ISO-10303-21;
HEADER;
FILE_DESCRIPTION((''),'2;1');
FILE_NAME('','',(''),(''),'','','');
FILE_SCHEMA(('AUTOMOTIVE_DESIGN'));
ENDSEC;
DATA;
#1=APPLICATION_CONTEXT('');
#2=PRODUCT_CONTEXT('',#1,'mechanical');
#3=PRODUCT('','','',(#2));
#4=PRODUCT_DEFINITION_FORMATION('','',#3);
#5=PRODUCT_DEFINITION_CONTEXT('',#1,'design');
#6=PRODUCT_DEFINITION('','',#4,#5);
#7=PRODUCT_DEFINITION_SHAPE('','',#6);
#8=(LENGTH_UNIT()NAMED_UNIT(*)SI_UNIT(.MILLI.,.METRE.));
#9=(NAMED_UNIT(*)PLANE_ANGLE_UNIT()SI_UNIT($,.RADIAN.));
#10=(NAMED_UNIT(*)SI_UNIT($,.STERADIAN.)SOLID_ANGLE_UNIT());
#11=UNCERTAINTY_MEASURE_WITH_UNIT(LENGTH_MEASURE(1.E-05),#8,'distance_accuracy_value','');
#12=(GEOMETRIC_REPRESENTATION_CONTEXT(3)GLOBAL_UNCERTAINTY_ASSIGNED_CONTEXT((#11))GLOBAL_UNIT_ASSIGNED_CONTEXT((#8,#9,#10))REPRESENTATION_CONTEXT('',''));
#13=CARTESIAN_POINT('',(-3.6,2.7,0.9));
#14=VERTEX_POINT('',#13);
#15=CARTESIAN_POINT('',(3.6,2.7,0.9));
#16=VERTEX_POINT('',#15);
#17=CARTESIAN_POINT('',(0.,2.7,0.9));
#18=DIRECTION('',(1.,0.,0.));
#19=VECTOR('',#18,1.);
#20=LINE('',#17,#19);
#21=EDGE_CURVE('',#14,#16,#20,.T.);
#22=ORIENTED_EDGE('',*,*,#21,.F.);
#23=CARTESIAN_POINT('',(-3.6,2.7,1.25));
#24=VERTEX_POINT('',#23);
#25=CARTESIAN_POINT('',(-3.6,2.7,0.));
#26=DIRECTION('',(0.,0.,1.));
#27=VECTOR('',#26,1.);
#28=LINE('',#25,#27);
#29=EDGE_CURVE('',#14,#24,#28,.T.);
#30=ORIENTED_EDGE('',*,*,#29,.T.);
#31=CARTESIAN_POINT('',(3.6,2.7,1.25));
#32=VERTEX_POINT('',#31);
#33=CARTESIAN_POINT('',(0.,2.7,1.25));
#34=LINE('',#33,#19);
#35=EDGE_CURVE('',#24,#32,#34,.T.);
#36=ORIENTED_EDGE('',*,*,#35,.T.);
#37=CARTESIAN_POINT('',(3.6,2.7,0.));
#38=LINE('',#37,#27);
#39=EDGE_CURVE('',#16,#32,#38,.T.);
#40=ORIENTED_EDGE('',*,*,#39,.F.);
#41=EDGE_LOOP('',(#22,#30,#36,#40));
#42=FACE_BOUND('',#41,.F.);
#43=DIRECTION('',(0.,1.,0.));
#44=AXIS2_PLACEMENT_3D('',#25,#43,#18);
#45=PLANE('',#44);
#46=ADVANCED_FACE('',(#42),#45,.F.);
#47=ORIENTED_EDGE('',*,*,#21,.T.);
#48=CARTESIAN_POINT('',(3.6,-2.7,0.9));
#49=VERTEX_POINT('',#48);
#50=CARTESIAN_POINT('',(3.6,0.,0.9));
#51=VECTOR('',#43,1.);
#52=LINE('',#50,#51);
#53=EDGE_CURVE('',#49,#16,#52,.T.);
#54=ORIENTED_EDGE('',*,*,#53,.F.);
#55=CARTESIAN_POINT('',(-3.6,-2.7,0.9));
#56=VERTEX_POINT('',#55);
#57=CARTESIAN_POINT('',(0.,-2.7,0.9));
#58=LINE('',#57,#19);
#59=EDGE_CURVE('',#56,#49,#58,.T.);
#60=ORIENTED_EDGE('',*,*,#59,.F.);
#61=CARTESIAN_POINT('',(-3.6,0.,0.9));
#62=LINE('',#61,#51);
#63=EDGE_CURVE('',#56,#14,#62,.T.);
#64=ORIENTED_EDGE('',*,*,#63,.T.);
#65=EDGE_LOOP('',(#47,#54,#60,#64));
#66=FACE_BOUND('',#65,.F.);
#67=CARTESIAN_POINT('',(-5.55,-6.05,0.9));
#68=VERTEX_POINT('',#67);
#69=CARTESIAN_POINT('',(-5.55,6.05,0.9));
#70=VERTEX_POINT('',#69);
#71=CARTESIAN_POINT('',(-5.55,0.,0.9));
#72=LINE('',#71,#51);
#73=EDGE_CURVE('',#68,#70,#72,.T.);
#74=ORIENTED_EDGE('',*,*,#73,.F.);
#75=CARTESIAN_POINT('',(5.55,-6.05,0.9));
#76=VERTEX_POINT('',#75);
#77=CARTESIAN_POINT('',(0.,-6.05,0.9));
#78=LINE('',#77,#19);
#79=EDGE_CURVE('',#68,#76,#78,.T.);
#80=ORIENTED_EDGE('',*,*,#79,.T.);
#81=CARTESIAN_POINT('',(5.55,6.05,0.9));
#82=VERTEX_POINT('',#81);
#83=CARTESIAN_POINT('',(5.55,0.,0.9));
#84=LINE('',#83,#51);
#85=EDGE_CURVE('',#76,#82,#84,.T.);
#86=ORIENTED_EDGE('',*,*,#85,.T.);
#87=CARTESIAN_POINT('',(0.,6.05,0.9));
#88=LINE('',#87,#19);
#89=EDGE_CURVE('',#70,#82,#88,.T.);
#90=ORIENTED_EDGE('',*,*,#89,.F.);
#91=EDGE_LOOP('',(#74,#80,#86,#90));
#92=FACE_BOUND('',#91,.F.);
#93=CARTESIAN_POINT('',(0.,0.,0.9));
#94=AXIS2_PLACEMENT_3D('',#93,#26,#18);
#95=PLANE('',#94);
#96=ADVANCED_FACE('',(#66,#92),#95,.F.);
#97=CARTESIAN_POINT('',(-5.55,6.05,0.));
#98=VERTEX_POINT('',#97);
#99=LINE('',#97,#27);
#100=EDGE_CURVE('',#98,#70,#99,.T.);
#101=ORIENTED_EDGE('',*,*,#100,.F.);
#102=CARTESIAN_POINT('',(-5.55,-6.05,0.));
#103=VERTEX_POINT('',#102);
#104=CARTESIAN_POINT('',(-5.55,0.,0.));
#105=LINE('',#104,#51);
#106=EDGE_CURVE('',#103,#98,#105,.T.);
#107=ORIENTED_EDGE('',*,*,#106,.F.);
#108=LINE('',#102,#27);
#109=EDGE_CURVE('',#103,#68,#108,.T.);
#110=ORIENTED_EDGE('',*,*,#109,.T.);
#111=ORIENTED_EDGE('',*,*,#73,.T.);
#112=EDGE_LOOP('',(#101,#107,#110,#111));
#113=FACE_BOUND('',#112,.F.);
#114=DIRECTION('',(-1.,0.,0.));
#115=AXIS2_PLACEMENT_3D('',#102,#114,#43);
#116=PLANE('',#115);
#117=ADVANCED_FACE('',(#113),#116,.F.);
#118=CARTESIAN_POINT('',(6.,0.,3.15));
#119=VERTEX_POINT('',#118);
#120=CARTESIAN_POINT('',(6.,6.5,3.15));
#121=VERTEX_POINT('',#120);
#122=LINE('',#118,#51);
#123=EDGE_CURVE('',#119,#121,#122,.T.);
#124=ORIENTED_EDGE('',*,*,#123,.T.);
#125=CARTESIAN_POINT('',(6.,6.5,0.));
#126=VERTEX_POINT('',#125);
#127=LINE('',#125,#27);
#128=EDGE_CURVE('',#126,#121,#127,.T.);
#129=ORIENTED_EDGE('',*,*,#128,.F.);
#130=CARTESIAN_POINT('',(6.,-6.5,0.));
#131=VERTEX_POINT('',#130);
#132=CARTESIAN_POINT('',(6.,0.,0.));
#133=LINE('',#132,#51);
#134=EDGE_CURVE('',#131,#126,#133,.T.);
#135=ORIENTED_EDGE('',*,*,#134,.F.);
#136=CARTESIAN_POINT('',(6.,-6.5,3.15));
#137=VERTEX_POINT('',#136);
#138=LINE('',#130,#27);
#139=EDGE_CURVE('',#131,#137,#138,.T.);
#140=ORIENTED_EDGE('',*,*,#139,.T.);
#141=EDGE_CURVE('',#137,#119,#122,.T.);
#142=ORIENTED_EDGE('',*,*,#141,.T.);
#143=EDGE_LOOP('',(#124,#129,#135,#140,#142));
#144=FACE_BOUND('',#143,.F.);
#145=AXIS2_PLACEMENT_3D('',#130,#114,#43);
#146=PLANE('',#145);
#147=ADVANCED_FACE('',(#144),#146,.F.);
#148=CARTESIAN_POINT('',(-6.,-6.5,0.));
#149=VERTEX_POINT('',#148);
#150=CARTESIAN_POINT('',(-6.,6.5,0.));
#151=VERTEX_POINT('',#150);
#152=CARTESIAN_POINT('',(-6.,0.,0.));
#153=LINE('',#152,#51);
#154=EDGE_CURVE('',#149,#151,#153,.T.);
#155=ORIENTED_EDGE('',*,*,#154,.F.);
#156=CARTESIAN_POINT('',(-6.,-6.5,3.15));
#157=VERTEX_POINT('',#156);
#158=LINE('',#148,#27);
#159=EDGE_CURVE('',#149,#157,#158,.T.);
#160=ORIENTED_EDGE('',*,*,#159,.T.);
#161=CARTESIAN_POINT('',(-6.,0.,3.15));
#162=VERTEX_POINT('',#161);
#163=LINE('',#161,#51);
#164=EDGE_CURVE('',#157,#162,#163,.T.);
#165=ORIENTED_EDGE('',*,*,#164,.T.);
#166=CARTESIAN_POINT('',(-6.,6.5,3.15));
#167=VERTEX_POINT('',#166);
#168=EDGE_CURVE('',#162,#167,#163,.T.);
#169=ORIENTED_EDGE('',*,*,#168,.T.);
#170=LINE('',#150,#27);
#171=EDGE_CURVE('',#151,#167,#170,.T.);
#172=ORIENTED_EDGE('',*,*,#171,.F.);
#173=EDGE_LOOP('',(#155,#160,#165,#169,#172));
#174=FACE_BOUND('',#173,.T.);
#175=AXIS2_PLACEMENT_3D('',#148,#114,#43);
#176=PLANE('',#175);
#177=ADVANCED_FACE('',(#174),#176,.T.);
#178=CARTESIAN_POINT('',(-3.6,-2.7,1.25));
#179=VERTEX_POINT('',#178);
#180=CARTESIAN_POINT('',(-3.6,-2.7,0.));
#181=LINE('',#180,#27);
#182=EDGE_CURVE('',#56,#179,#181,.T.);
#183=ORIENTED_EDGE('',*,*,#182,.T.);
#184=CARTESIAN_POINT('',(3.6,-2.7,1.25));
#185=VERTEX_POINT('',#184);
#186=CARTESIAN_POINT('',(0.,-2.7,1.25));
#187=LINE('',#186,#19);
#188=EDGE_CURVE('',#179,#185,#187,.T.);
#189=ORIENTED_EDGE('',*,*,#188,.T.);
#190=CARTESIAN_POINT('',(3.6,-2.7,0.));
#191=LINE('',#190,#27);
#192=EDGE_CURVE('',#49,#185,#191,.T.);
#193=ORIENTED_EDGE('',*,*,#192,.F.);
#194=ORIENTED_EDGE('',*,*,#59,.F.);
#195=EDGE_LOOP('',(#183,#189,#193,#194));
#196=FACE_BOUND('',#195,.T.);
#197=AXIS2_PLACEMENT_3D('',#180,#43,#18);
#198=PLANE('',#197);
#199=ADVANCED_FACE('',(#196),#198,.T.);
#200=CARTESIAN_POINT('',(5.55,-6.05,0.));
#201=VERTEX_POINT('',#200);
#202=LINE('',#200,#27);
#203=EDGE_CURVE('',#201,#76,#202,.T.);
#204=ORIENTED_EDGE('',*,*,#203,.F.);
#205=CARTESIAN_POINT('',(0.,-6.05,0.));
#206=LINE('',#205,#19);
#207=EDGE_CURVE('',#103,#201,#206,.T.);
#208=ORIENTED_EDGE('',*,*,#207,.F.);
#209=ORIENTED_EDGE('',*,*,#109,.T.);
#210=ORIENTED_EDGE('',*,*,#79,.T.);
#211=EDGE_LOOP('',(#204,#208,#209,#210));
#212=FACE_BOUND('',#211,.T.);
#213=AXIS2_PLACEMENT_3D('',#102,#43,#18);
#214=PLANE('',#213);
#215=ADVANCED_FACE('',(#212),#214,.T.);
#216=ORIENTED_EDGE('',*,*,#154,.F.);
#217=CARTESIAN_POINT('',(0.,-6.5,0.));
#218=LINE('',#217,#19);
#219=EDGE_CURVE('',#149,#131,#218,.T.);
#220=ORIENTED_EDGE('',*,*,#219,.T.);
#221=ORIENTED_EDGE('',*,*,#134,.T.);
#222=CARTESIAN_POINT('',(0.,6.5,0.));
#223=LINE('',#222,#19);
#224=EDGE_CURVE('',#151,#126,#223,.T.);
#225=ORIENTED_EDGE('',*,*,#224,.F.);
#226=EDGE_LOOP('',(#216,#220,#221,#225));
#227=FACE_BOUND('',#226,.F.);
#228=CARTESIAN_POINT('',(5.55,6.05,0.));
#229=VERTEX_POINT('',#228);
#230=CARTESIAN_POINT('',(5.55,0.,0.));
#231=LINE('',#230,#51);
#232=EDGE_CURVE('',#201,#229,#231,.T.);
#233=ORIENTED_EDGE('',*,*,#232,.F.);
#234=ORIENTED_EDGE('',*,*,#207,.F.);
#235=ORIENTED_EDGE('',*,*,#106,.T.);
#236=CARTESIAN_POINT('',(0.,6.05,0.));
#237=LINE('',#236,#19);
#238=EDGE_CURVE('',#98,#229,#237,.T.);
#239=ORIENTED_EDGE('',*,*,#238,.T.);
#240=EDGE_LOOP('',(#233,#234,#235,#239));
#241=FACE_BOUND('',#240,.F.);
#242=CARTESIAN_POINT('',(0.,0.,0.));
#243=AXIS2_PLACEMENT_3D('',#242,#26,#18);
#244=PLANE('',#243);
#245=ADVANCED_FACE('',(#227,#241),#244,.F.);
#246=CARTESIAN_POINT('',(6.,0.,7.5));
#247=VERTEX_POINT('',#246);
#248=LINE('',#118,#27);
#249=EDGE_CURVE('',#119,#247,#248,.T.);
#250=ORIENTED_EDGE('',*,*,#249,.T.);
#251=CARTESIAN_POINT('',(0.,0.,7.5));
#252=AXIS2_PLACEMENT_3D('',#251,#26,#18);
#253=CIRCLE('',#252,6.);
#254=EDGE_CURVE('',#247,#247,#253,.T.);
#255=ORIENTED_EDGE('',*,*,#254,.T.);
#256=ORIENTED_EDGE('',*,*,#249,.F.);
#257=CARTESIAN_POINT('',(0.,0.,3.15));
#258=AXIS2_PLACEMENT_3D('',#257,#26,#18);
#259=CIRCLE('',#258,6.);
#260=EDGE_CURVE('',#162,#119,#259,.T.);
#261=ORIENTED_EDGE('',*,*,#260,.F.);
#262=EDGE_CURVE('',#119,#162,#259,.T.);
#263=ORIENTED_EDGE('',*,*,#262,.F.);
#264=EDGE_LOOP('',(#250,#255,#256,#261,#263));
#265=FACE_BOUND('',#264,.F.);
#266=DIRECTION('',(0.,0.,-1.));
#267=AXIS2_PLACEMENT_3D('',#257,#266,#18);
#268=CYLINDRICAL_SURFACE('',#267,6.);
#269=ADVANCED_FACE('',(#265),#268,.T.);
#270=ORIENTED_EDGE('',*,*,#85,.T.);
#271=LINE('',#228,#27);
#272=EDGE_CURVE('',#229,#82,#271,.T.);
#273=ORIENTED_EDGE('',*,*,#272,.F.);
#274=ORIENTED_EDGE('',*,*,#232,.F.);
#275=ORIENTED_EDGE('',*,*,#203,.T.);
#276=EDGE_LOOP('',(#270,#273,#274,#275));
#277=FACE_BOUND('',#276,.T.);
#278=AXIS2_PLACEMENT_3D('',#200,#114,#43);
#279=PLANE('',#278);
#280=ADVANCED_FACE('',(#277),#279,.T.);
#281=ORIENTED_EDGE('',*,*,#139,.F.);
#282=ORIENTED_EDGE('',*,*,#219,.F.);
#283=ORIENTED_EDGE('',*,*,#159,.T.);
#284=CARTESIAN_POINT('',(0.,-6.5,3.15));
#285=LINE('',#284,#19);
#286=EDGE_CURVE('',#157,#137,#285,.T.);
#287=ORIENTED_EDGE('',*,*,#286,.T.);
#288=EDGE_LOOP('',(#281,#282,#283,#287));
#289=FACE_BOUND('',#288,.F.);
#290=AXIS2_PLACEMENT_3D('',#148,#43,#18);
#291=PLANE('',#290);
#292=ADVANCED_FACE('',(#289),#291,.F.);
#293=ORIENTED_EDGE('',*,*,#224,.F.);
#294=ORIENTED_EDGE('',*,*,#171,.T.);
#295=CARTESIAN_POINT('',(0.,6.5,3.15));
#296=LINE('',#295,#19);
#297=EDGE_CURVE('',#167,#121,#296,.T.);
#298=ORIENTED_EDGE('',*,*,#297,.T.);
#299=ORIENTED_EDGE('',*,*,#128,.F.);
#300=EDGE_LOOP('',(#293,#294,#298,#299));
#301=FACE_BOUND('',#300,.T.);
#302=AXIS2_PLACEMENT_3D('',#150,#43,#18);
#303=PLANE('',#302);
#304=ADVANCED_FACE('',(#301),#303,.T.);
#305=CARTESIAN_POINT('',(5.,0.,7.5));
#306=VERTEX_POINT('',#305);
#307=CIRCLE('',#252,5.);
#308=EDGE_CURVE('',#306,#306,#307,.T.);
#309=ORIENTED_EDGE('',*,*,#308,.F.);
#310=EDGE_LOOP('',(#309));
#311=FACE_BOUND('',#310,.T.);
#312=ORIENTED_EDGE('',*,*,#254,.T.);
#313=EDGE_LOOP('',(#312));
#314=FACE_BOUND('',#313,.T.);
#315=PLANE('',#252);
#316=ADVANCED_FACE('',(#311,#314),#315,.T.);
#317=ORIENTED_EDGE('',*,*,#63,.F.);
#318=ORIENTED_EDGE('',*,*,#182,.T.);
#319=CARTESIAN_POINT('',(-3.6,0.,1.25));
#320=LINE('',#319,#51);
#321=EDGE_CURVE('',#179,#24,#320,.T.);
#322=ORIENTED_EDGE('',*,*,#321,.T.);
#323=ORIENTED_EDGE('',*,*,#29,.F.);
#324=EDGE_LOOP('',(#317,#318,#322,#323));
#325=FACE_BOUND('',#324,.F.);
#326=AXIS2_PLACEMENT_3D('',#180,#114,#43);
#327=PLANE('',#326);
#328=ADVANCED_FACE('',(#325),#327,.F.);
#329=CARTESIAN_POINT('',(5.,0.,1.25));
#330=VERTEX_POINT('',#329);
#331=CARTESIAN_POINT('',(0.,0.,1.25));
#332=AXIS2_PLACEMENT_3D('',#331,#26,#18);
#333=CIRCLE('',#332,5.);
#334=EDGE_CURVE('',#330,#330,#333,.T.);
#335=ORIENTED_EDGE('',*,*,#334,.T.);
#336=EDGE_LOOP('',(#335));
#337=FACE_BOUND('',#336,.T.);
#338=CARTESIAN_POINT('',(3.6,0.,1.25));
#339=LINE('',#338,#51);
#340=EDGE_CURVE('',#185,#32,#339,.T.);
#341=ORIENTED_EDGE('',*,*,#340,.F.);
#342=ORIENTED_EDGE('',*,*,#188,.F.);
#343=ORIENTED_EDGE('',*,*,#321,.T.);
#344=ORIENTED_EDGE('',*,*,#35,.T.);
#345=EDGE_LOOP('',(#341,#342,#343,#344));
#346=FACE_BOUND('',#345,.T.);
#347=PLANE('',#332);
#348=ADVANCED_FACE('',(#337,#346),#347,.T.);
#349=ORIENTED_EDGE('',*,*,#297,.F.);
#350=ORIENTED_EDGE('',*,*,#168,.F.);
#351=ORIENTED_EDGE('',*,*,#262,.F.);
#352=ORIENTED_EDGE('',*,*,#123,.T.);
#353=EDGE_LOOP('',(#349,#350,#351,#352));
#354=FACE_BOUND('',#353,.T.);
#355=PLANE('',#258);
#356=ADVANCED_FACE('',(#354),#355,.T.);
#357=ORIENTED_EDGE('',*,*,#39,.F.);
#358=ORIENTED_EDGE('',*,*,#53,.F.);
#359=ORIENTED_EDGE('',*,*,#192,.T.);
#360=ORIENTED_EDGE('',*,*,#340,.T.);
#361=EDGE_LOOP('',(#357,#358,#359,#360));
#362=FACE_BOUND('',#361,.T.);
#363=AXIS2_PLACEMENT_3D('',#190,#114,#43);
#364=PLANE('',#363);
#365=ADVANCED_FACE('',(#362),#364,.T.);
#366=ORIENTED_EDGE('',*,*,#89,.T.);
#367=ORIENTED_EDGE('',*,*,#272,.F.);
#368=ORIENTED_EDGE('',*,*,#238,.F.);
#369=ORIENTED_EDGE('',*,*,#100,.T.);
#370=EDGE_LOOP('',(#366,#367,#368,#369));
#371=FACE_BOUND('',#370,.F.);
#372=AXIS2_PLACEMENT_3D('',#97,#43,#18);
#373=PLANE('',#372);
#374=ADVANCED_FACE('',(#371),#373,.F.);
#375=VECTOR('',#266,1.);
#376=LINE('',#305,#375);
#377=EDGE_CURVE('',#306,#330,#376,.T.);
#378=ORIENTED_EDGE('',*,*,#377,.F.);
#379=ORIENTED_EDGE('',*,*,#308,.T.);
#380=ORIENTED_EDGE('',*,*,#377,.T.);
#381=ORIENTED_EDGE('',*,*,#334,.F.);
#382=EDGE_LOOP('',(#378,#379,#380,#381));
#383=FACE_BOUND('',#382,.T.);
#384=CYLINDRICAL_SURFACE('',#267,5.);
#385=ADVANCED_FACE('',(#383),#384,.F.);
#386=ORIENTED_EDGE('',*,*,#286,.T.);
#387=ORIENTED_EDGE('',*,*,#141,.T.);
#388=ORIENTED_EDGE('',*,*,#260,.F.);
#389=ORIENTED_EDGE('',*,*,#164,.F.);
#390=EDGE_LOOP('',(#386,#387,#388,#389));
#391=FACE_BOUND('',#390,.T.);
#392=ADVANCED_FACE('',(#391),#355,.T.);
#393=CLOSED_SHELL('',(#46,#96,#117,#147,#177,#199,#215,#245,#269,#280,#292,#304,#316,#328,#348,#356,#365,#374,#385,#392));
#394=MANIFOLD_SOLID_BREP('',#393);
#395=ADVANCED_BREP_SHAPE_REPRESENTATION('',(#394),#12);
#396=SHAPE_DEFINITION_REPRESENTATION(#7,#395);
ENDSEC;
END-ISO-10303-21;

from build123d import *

# Parameters (mm, degrees)
F0_W     = 12
F0_H     = 13
F0_W_2   = 11.1
F0_H_2   = 12.1
F0_W_3   = 7.2
F0_H_3   = 5.4
F1_DEPTH = 3.15
F2_DEPTH = 0.9
F3_R     = 5
F4_DEPTH = 4.35
F5_DEPTH = 1.9


with BuildPart() as f1:
    # F0 (on Top) → F1 (new body)
    with BuildSketch(Plane.XY):
        Rectangle(F0_W, F0_H)
        Rectangle(F0_W_2, F0_H_2, mode=Mode.SUBTRACT)
        Rectangle(F0_W_2, F0_H_2)
        Rectangle(F0_W_3, F0_H_3, mode=Mode.SUBTRACT)
    extrude(amount=F1_DEPTH)

    # F0 (on Top) → F2 (cut)
    with BuildSketch(Plane.XY):
        Rectangle(F0_W_2, F0_H_2)
        Rectangle(F0_W_3, F0_H_3, mode=Mode.SUBTRACT)
    extrude(amount=F2_DEPTH, mode=Mode.SUBTRACT)

    # F3 (on face) → F4 (join)
    with BuildSketch(Plane.XY.offset(3.15)):
        with BuildLine():
            ThreePointArc((-6, 0), (0, -6), (6, 0))
            ThreePointArc((6, 0), (0, 6), (-6, 0))
        make_face()
        Circle(F3_R, mode=Mode.SUBTRACT)
    extrude(amount=F4_DEPTH)

    # F5 (cut): a face of the model
    f5_faces = [f1.faces().sort_by_distance(p)[0] for p in [
        (-4.8585786438, 0, 3.15),
    ]]
    extrude(f5_faces, amount=-F5_DEPTH, mode=Mode.SUBTRACT)


solid = f1.part
